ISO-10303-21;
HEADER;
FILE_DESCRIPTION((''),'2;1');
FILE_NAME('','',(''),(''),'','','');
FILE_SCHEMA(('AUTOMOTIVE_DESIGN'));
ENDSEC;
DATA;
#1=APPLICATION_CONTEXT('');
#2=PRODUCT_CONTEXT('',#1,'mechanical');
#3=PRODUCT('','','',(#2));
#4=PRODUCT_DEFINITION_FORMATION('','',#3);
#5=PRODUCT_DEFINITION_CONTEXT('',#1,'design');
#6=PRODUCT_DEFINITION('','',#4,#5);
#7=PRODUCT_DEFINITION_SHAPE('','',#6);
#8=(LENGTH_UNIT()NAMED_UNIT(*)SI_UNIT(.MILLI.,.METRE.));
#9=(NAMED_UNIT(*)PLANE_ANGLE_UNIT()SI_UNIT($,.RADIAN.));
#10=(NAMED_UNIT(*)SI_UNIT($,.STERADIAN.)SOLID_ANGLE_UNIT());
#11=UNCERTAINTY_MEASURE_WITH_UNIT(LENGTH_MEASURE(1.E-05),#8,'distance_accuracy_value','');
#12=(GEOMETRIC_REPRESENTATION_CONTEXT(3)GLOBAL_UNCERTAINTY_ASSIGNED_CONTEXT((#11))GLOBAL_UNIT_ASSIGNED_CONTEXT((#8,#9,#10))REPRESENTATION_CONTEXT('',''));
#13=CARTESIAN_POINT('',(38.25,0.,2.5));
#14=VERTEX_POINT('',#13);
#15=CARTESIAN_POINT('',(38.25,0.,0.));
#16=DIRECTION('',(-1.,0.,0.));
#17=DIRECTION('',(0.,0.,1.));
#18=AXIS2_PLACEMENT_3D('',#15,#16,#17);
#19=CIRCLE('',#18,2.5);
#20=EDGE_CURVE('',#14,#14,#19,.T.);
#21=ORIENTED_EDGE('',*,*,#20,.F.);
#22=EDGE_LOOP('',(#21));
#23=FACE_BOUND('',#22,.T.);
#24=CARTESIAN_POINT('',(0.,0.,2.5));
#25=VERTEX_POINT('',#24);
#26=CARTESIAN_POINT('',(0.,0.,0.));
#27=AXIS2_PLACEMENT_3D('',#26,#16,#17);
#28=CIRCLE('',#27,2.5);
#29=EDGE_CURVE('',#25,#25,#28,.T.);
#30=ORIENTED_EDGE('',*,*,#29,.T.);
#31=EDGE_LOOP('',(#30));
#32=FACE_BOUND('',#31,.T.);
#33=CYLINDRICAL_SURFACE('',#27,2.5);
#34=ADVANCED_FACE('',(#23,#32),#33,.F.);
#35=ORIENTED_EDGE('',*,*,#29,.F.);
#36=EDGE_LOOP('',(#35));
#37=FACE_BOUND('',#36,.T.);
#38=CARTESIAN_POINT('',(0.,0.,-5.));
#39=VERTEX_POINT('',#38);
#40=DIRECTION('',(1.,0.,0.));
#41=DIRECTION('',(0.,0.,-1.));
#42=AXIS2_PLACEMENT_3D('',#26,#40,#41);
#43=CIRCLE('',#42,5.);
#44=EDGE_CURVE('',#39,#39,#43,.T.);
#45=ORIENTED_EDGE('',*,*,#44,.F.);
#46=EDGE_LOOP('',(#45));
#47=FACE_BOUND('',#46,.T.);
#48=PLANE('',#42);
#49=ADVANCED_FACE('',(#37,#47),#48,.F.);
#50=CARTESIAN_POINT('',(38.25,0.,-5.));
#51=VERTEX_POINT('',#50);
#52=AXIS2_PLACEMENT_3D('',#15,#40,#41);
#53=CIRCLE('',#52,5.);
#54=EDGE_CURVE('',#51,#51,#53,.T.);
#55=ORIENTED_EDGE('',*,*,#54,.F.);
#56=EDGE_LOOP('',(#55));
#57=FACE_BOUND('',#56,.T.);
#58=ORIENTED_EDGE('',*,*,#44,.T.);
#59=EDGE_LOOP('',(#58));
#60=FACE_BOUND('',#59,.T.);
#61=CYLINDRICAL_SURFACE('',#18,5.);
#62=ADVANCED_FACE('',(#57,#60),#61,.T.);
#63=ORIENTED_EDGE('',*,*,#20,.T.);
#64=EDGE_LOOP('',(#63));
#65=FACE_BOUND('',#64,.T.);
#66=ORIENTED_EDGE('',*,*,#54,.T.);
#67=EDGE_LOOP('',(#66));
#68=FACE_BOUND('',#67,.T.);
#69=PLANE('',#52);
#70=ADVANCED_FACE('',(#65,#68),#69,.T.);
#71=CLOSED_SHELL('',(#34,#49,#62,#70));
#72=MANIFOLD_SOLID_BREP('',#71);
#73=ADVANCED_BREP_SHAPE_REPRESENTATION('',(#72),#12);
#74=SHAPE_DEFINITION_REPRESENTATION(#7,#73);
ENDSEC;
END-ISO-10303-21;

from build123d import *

# Parameters (mm, degrees)
SKETCH_1_R         = 5
EXTRUDE_1_DEPTH    = 38.25
HOLE_WIZARD_M6_1_D = 5


with BuildPart() as part:
    # 草图1 → 凸台-拉伸1 (new body)
    with BuildSketch(Plane(origin=(0, 0, 0), x_dir=(0, 0, -1), z_dir=(1, 0, 0))):
        Circle(SKETCH_1_R)
    extrude(amount=EXTRUDE_1_DEPTH)

    # M6 螺纹孔1 (through all)
    with Locations(Plane.ZY):
        with Locations((0, 0)):
            Hole(HOLE_WIZARD_M6_1_D / 2)


solid = part.part
